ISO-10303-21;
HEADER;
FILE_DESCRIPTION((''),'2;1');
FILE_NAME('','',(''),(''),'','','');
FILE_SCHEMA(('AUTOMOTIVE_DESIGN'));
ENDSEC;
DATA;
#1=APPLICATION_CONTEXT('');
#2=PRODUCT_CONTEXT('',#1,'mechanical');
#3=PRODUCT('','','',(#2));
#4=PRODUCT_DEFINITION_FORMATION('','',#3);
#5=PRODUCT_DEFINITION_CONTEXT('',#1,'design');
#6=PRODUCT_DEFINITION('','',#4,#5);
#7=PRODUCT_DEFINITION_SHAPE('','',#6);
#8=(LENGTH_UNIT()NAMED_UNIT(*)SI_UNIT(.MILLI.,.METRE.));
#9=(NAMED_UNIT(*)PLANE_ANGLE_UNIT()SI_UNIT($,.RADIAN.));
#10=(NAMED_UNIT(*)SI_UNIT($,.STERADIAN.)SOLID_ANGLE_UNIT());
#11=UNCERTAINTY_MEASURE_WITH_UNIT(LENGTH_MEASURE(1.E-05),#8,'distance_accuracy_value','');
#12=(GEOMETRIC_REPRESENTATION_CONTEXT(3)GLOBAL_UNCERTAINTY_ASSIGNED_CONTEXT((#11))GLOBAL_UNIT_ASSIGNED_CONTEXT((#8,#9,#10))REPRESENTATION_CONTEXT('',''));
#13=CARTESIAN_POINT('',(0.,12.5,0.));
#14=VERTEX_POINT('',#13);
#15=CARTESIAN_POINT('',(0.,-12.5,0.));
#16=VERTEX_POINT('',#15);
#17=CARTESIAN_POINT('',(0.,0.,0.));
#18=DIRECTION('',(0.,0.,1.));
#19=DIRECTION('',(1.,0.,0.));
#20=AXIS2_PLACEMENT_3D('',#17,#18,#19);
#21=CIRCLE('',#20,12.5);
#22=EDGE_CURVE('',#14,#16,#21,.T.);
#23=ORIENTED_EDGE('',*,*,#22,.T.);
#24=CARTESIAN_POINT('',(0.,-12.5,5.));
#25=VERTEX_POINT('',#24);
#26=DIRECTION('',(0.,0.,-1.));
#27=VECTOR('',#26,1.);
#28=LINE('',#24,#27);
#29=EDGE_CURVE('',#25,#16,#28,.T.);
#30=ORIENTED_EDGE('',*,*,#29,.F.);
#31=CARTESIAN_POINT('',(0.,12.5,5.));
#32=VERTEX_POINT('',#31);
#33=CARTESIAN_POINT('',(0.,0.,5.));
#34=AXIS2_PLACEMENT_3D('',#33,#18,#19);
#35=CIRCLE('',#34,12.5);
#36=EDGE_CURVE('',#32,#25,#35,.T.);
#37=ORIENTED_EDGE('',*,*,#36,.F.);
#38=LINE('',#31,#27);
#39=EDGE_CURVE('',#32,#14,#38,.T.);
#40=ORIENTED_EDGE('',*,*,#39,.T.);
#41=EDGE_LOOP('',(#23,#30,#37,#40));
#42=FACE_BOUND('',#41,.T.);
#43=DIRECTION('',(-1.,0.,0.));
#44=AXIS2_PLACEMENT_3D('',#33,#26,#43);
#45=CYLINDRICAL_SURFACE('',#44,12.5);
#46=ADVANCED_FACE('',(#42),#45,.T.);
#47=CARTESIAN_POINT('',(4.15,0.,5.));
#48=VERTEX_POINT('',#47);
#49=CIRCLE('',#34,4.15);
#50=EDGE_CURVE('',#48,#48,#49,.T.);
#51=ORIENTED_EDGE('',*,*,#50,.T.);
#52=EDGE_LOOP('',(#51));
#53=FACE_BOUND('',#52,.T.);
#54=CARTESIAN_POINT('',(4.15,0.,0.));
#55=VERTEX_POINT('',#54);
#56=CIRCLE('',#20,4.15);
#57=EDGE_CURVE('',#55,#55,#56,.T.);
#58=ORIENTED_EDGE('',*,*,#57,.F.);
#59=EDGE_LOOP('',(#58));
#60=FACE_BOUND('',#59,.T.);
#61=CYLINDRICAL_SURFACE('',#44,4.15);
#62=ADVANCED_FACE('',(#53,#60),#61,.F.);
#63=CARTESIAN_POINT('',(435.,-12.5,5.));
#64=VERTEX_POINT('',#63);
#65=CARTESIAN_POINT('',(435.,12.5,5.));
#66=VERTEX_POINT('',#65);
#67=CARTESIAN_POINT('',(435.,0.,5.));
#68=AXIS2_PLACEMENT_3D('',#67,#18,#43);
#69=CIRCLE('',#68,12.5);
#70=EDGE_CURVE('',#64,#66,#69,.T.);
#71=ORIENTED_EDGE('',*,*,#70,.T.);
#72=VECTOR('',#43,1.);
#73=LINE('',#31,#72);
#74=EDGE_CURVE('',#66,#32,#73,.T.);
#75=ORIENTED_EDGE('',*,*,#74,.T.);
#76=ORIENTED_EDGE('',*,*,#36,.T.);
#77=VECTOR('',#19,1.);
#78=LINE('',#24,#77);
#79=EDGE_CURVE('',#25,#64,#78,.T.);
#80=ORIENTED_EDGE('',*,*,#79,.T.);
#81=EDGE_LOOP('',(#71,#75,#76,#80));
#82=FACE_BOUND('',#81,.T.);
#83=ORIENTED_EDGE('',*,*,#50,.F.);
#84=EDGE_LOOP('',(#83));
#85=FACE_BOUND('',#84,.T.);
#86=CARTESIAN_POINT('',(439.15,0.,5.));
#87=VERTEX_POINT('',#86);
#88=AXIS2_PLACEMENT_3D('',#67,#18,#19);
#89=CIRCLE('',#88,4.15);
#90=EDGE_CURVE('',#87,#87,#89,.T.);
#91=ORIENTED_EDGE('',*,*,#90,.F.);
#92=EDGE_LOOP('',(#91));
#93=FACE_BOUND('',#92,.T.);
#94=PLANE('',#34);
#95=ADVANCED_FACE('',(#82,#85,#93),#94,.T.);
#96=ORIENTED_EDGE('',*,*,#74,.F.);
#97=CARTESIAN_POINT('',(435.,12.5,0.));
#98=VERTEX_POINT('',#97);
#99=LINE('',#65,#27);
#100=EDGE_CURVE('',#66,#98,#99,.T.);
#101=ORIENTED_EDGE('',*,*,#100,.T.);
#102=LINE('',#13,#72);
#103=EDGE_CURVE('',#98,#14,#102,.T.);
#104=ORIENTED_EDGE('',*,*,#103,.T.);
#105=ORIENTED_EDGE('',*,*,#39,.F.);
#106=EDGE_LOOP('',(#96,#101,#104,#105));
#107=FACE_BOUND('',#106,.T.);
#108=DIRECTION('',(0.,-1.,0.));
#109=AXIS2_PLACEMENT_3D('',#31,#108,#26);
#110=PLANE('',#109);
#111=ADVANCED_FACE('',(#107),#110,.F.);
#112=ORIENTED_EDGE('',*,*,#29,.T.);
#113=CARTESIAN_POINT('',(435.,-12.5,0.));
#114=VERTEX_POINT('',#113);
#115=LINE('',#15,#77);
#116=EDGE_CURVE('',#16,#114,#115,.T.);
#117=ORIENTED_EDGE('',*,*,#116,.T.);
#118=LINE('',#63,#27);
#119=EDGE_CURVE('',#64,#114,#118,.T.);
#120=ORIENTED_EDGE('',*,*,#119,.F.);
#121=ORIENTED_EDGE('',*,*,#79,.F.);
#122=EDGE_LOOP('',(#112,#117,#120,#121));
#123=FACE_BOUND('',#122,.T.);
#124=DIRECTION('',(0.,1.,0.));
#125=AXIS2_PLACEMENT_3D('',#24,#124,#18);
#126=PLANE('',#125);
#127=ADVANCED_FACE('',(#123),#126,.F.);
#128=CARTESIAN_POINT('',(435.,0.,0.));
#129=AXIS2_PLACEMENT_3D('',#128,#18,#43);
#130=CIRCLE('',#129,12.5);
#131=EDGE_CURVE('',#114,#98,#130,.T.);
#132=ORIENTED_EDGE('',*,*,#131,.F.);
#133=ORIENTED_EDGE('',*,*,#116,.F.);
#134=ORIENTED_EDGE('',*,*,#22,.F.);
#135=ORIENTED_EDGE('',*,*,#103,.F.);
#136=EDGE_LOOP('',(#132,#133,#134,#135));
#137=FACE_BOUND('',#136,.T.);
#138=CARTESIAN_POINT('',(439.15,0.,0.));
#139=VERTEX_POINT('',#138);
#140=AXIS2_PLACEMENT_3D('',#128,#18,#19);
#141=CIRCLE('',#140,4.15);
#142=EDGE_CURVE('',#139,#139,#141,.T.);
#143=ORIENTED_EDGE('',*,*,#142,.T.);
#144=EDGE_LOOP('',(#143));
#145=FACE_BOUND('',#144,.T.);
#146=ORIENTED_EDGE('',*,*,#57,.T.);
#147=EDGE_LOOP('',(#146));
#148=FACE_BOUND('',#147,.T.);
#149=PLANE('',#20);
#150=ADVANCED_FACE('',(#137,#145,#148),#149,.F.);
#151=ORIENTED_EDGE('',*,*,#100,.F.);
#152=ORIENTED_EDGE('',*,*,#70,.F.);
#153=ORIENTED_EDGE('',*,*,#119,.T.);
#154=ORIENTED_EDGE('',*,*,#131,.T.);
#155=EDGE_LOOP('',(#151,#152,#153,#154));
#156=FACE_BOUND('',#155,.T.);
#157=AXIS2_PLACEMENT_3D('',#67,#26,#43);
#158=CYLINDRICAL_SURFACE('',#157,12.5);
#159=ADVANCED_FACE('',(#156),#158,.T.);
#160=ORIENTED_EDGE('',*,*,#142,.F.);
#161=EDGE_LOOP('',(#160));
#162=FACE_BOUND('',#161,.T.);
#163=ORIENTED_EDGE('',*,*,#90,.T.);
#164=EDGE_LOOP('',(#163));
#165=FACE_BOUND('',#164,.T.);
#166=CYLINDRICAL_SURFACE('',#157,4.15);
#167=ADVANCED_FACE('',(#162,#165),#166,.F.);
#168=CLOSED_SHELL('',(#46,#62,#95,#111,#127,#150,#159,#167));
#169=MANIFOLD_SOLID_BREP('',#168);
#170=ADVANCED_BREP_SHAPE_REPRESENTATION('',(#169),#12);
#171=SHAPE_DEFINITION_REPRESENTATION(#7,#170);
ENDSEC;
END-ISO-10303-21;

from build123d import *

# Parameters (mm, degrees)
SKICA1_R                = 4.15
P_IDAT_VYSUNUT_M1_DEPTH = 5


with BuildPart() as part:
    # Skica1 → Přidat vysunutím1 (new body)
    with BuildSketch(Plane.XY):
        with BuildLine():
            Line((0, 12.5), (435, 12.5))
            ThreePointArc((435, 12.5), (447.5, 0), (435, -12.5))
            Line((435, -12.5), (0, -12.5))
            ThreePointArc((0, -12.5), (-12.5, 0), (0, 12.5))
        make_face()
        Circle(SKICA1_R, mode=Mode.SUBTRACT)
        with Locations((435, 0)):
            Circle(SKICA1_R, mode=Mode.SUBTRACT)
    extrude(amount=P_IDAT_VYSUNUT_M1_DEPTH)


solid = part.part
